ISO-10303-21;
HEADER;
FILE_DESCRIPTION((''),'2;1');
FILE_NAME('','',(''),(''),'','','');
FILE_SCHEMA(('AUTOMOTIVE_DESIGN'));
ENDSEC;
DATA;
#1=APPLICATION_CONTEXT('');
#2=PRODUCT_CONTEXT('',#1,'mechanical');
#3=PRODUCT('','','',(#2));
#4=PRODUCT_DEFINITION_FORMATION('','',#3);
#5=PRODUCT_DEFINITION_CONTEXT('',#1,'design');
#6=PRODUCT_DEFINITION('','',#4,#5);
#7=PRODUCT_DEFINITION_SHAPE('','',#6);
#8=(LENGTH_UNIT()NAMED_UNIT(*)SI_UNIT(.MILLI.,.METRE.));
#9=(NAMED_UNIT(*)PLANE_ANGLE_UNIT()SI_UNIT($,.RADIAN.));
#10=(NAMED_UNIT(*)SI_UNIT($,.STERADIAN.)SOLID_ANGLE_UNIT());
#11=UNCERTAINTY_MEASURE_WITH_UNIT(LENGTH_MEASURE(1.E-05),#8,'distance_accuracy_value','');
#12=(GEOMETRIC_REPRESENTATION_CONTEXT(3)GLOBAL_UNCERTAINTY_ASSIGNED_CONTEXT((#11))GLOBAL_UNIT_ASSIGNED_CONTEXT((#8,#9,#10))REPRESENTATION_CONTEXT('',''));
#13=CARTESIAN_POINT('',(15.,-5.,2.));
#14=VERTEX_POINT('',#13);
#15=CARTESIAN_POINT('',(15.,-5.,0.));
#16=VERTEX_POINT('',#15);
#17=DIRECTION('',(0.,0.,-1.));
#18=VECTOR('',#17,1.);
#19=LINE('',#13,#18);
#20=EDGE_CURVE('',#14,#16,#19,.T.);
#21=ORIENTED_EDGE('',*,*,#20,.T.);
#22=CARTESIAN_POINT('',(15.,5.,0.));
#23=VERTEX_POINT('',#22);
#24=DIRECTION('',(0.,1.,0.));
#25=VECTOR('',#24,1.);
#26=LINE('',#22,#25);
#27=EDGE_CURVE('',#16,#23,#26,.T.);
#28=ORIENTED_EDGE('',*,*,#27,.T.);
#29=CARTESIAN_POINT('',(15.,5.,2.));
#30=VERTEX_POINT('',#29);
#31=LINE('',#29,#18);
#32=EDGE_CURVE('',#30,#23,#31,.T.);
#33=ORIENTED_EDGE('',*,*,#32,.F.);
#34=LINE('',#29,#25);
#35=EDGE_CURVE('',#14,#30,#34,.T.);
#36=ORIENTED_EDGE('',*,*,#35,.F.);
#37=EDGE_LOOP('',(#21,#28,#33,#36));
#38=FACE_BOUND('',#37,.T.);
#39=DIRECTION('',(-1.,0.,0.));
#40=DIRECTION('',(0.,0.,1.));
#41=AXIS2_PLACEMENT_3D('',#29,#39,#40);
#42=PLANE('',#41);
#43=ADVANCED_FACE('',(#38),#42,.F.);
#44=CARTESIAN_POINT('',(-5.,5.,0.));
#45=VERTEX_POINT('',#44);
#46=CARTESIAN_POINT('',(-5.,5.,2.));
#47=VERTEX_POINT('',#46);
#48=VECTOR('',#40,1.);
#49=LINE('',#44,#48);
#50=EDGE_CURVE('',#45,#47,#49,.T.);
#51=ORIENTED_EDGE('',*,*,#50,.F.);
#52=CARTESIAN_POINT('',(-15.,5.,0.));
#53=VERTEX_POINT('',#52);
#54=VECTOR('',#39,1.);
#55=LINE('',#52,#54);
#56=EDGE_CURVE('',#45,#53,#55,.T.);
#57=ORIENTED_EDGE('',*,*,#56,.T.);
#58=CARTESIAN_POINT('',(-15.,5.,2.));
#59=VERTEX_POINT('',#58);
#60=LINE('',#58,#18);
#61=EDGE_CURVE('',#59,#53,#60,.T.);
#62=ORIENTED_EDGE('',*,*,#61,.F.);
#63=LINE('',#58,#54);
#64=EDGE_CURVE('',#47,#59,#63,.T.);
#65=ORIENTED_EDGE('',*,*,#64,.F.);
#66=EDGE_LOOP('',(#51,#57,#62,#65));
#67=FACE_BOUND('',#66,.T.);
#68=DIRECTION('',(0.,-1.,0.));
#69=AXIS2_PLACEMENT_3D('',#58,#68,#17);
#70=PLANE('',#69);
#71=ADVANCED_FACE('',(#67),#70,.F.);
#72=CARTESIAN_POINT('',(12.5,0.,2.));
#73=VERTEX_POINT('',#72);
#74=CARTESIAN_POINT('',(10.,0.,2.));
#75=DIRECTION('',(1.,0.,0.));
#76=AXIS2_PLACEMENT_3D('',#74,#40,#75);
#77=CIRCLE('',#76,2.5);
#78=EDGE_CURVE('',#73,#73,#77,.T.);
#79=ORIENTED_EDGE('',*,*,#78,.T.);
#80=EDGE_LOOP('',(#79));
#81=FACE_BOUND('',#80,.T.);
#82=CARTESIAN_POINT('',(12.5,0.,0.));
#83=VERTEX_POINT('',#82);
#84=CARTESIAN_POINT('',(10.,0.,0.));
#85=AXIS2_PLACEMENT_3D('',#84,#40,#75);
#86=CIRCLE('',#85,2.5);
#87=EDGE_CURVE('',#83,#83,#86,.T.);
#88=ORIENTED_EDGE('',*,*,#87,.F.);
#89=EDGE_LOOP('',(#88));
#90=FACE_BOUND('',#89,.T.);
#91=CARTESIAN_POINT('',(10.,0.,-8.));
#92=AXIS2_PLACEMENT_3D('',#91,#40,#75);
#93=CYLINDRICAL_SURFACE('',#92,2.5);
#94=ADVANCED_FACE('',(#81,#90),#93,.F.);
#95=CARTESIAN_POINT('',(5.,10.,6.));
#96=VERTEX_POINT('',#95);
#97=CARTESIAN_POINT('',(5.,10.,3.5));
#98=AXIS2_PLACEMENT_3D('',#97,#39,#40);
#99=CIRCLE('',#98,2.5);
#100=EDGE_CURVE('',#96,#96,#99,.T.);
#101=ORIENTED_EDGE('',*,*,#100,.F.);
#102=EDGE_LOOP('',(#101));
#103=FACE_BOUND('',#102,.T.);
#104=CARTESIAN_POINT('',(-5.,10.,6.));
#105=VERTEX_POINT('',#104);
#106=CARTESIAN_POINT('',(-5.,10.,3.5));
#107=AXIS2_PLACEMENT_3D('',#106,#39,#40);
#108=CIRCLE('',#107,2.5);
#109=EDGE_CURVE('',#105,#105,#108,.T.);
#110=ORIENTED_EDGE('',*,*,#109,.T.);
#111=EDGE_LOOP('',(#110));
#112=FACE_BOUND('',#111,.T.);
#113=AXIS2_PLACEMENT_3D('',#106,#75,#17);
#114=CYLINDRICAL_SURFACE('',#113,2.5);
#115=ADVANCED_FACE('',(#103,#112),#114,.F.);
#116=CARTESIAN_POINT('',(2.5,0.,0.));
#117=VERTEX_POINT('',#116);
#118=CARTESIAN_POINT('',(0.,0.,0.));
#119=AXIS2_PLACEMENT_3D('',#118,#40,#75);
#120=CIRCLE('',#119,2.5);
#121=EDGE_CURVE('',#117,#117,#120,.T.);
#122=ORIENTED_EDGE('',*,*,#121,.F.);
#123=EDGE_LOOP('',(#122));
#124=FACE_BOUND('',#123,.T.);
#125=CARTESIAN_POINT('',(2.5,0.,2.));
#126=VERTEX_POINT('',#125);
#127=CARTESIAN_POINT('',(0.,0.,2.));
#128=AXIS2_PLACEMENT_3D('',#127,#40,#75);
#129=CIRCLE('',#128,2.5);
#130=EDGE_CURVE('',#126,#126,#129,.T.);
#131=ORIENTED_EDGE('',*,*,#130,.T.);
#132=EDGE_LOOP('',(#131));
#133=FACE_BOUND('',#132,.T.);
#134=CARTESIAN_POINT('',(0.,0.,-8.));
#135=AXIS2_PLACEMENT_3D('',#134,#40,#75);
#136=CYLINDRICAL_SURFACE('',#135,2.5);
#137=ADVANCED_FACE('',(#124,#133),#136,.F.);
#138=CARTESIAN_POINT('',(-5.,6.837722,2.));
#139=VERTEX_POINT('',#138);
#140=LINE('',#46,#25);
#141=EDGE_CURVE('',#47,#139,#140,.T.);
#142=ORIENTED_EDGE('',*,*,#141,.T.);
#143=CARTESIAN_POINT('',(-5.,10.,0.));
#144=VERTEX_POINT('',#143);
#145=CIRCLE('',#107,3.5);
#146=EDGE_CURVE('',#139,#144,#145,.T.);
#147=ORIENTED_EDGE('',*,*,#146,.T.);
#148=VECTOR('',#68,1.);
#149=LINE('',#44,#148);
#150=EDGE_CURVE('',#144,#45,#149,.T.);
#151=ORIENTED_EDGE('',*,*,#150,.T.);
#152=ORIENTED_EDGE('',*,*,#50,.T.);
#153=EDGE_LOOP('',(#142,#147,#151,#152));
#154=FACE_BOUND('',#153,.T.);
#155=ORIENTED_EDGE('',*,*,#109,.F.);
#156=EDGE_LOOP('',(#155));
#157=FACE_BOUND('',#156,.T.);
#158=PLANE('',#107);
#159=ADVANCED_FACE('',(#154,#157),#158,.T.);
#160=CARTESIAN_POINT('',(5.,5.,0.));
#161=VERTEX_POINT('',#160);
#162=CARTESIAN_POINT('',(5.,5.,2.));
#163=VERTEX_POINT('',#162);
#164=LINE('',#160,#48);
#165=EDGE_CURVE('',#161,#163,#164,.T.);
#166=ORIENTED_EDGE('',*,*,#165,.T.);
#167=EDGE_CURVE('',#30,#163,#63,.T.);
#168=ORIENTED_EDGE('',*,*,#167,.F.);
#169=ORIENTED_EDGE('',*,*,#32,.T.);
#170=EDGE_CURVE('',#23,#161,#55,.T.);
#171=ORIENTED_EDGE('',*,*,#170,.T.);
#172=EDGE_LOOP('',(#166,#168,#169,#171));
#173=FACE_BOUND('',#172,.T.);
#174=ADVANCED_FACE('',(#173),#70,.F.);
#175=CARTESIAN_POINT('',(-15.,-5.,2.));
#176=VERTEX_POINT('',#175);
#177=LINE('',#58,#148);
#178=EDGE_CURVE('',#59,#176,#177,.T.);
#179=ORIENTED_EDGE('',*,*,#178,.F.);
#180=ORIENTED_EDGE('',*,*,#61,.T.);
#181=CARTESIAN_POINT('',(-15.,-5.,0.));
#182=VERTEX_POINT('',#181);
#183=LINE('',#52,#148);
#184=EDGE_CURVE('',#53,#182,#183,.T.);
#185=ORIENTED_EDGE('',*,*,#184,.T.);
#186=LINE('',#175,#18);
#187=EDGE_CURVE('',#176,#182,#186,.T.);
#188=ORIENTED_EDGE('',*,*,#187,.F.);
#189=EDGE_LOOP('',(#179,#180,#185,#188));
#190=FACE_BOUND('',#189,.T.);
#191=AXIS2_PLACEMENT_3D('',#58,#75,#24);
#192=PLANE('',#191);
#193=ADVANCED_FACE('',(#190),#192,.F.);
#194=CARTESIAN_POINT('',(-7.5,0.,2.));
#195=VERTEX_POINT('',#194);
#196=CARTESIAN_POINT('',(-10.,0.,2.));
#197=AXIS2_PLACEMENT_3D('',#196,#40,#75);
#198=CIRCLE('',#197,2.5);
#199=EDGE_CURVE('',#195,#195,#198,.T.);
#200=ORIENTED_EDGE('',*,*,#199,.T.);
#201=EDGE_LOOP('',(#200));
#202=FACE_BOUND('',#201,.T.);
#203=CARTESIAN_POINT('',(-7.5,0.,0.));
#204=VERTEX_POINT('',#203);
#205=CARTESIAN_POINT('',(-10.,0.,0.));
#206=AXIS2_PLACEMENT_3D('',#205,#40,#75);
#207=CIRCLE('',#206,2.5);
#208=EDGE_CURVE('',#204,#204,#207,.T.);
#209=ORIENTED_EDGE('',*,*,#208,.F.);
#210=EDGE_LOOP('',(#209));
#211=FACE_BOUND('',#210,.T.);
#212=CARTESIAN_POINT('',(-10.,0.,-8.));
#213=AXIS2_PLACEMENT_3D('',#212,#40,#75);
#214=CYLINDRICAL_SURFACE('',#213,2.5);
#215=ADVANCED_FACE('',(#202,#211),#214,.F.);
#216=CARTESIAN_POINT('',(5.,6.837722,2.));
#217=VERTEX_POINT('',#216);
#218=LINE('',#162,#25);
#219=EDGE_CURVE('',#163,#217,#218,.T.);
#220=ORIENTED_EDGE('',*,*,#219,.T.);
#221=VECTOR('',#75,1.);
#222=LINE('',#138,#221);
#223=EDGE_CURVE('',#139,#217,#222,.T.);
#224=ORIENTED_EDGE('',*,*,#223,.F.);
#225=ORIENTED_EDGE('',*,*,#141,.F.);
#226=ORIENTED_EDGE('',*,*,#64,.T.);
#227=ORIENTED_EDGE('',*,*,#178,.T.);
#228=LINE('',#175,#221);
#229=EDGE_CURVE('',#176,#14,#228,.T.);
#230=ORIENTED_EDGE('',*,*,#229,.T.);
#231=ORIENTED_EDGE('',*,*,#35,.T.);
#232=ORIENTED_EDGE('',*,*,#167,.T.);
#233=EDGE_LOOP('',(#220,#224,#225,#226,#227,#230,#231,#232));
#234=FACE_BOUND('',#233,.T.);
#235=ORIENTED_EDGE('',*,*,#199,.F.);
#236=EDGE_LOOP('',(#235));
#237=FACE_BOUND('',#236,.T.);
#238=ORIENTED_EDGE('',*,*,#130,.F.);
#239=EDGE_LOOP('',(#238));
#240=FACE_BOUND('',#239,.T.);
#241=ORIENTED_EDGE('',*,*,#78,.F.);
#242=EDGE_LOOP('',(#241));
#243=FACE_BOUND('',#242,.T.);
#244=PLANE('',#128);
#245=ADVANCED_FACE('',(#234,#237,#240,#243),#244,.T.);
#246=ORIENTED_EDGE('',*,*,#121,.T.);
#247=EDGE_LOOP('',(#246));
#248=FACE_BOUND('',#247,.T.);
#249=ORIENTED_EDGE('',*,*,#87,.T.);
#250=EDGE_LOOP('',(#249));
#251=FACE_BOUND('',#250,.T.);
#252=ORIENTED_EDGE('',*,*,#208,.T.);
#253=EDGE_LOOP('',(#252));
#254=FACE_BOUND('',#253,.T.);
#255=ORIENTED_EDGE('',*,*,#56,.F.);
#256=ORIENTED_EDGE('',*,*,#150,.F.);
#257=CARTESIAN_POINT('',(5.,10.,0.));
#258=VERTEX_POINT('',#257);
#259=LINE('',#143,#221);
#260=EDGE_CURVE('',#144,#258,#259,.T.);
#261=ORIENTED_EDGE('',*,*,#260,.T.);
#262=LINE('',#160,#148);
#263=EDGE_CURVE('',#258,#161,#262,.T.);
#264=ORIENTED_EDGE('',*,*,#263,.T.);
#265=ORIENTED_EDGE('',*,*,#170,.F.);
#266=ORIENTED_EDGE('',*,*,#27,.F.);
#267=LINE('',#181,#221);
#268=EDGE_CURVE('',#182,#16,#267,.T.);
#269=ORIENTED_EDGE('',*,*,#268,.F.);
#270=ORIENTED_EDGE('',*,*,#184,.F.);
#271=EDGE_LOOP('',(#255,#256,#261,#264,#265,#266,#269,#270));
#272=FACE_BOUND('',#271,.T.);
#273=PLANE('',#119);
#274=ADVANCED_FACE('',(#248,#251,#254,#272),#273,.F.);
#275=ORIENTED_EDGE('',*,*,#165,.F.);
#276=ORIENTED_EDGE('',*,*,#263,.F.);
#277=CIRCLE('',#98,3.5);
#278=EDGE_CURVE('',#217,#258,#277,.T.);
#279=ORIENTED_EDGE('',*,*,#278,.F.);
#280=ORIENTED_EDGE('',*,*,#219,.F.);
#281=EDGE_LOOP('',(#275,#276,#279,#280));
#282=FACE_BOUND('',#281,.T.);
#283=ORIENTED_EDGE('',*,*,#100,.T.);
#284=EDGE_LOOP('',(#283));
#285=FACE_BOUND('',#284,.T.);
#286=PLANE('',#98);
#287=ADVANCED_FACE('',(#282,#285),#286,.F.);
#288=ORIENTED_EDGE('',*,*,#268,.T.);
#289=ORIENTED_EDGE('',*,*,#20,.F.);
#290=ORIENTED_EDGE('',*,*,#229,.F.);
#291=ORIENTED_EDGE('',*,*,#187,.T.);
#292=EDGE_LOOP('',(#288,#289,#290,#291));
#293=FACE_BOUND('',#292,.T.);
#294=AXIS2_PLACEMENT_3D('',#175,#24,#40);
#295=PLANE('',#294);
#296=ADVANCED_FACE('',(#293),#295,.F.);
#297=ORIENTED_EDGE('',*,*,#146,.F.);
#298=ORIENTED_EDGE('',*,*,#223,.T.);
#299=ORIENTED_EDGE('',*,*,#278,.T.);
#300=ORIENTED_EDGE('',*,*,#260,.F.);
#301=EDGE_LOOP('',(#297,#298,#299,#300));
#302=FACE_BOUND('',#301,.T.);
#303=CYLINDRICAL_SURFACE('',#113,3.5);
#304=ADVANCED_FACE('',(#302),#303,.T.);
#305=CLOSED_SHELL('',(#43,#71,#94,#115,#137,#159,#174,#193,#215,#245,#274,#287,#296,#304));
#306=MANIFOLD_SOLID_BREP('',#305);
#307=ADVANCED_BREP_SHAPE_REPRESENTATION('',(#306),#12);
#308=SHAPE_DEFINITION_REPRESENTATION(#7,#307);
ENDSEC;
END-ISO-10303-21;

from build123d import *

# Parameters (mm, degrees)
SKETCH1_W                = 30
SKETCH1_H                = 10
BOSS_EXTRUDE1_DEPTH      = 2
SKETCH2_R                = 2.5
BOSS_EXTRUDE2_DEPTH      = 5
BOSS_EXTRUDE2_DEPTH_BACK = 5
SKETCH3_R                = 2.5
CUT_EXTRUDE1_DEPTH       = 10


with BuildPart() as part:
    # Sketch1 → Boss-Extrude1 (new body)
    with BuildSketch(Plane.XY):
        Rectangle(SKETCH1_W, SKETCH1_H)
    extrude(amount=BOSS_EXTRUDE1_DEPTH)

    # Sketch2 → Boss-Extrude2 (add, two sides)
    with BuildSketch(Plane.ZY) as boss_extrude2_sk:
        with BuildLine():
            Line((0, 5), (0, 10))
            ThreePointArc((0, 10), (6.458039892, 11.870828693), (2, 6.83772234))
            Line((2, 6.83772234), (2, 5))
            Line((2, 5), (0, 5))
        make_face()
        with Locations((3.5, 10)):
            Circle(SKETCH2_R, mode=Mode.SUBTRACT)
    extrude(amount=BOSS_EXTRUDE2_DEPTH)
    extrude(boss_extrude2_sk.sketch, amount=-BOSS_EXTRUDE2_DEPTH_BACK)

    # Sketch3 → Cut-Extrude1 (cut)
    with BuildSketch(Plane.XY.offset(2)):
        with Locations((-10, 0)):
            Circle(SKETCH3_R)
        Circle(SKETCH3_R)
        with Locations((10, 0)):
            Circle(SKETCH3_R)
    extrude(amount=-CUT_EXTRUDE1_DEPTH, mode=Mode.SUBTRACT)


solid = part.part
